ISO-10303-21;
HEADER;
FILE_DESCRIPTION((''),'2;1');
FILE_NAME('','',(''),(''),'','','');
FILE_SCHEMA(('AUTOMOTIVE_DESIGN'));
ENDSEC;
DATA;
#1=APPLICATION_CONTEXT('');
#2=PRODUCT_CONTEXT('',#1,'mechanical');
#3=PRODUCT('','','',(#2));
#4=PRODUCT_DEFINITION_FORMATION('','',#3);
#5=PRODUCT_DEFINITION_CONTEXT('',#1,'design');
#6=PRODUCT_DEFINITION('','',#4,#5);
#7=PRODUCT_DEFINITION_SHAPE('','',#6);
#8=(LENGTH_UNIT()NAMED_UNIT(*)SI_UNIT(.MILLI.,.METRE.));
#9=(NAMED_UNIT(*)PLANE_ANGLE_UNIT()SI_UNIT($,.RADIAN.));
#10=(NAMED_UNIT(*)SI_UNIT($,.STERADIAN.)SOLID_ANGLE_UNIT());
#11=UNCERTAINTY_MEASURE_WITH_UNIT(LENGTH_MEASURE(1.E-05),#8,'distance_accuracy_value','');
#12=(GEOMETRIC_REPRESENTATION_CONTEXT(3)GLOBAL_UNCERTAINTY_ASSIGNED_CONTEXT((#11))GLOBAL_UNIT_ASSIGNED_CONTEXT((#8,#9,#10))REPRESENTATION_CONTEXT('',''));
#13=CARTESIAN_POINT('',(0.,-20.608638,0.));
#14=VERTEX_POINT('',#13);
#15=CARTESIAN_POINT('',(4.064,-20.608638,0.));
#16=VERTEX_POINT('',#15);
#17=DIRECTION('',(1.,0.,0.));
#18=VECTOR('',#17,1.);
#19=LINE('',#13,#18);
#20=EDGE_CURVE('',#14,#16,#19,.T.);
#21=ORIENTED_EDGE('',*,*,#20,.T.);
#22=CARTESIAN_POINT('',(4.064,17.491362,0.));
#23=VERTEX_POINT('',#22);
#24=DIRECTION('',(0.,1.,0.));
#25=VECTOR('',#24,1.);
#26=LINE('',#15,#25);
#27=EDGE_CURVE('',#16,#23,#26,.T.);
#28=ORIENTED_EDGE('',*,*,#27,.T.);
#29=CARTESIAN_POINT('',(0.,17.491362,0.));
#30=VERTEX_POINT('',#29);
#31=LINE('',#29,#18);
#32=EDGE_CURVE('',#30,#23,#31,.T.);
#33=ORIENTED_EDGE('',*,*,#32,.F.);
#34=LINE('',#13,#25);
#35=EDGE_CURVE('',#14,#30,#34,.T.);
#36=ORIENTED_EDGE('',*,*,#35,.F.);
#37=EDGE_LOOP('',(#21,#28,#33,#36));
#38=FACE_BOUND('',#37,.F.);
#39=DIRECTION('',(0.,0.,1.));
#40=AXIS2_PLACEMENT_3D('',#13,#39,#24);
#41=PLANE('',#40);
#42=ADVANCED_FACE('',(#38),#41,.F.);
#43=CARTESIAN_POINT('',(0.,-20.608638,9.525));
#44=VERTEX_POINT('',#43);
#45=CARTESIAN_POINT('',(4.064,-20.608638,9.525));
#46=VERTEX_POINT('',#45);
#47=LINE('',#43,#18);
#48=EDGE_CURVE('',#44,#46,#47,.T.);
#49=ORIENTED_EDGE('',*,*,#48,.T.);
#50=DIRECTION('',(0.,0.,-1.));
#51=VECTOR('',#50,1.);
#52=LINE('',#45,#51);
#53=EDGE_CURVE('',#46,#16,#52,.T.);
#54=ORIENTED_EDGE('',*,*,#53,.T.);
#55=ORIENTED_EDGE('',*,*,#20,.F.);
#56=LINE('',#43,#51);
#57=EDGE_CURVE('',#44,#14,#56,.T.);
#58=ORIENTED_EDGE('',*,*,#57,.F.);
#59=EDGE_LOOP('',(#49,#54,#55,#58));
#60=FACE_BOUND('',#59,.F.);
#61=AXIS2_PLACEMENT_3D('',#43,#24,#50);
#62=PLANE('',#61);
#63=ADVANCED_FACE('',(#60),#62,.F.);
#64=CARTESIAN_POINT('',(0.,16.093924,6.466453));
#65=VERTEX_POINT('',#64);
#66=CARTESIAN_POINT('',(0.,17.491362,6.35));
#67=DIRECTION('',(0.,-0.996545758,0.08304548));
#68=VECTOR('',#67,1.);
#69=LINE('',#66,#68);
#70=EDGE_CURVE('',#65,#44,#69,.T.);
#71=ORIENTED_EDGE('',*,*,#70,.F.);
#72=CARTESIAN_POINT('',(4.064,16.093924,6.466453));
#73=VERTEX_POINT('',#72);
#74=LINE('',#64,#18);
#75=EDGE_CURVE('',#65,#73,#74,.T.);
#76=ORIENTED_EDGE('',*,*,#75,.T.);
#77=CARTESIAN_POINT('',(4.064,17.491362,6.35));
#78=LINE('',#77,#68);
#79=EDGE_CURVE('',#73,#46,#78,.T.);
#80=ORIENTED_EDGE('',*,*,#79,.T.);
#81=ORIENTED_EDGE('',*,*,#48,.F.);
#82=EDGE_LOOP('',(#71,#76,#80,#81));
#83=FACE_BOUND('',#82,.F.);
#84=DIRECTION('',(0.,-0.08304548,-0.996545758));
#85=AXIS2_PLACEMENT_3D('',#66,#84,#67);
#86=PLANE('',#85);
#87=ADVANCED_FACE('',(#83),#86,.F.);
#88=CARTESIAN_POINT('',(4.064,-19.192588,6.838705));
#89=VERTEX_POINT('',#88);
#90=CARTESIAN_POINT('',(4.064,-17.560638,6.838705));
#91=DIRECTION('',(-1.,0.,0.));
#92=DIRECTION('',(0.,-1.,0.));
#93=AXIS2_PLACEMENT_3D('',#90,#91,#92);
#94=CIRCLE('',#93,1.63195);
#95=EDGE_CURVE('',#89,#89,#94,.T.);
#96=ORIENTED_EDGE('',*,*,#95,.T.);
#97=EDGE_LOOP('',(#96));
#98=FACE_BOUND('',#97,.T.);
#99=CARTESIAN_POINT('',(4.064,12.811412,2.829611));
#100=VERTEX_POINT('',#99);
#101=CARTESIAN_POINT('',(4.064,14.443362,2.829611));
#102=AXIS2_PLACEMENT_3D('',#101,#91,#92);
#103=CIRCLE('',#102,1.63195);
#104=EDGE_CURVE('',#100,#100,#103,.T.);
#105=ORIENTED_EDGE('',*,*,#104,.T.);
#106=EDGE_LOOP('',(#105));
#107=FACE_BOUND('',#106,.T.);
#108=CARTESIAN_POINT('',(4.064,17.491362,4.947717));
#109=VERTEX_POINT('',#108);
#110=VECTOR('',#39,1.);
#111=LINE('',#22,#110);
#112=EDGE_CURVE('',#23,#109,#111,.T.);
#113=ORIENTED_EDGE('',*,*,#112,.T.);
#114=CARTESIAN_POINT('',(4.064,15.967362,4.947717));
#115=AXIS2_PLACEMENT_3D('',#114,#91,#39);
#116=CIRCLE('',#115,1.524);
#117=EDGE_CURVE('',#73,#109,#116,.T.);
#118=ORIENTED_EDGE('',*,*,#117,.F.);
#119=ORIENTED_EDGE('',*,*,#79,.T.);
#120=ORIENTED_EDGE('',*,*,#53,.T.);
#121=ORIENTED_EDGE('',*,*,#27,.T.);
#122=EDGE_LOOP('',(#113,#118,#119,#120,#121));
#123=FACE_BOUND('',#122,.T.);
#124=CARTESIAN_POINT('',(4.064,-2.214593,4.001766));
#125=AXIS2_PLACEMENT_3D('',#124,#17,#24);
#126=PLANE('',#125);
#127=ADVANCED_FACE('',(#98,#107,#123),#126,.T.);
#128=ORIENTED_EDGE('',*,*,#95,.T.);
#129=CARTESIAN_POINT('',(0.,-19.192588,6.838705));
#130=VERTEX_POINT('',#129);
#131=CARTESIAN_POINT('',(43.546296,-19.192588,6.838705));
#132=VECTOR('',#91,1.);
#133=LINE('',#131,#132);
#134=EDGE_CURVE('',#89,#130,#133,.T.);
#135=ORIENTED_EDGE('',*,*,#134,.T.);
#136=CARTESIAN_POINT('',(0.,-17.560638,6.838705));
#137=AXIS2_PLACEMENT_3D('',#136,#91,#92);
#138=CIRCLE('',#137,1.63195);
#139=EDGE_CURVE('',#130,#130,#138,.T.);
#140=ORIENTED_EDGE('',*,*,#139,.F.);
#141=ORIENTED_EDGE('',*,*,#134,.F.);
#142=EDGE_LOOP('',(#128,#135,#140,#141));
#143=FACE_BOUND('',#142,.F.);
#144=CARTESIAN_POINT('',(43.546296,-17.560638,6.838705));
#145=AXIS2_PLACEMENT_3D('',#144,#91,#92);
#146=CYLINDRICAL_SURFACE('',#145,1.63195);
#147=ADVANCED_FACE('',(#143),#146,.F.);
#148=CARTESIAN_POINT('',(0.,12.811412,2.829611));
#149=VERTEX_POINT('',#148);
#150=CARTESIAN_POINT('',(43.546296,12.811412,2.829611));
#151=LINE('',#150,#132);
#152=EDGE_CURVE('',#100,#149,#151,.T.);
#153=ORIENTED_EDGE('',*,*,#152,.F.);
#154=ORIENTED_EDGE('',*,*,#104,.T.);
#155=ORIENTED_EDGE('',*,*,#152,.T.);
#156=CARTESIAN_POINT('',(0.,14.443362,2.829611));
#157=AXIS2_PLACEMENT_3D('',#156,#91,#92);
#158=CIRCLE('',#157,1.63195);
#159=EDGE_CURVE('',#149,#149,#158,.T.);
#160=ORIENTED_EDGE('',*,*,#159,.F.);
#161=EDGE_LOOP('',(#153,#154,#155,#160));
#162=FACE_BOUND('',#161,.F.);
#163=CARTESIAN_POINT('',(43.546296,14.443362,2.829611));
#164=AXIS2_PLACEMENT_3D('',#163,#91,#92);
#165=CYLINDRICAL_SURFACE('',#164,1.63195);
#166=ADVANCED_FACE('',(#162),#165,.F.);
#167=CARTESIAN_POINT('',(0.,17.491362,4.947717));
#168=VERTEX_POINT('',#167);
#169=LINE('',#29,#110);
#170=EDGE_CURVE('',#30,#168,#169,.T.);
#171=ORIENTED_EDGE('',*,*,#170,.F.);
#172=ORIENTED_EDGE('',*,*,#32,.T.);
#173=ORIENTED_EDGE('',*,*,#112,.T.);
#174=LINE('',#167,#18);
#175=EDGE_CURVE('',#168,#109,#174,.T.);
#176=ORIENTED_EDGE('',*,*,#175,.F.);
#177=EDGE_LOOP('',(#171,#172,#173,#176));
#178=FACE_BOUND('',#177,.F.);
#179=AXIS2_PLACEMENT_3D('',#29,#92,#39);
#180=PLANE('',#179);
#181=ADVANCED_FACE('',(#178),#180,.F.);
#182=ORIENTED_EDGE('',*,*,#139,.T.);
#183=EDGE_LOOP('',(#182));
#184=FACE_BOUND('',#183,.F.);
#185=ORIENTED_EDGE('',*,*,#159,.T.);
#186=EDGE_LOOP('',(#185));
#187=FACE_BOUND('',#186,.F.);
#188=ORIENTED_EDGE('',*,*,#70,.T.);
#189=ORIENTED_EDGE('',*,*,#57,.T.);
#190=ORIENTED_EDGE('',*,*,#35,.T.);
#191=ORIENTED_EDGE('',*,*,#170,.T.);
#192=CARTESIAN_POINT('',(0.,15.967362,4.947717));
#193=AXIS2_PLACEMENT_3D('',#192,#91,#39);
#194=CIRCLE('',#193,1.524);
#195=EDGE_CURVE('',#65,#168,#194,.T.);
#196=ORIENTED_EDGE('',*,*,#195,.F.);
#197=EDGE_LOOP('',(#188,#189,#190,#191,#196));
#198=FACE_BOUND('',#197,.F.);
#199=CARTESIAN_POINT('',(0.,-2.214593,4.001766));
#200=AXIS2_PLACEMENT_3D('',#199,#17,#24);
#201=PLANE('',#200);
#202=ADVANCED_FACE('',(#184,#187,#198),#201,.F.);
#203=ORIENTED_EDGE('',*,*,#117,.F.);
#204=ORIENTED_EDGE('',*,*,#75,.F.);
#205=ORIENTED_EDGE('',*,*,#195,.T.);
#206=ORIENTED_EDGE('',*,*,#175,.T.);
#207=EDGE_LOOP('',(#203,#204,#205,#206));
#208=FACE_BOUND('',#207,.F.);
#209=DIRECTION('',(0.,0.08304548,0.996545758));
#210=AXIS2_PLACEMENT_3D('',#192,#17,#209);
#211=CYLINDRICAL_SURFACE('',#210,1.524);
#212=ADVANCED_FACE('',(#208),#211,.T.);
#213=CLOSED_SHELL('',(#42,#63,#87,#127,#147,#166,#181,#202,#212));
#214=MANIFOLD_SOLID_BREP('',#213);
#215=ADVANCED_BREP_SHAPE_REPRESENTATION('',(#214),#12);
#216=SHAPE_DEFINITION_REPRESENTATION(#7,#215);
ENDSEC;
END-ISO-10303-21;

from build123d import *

# Parameters (mm, degrees)
F1_DEPTH = 4.064
F3_D     = 3.2639
F4_R     = 1.524


with BuildPart() as f1:
    # F0 (on Right) → F1 (new body)
    with BuildSketch(Plane.YZ):
        Polygon((-20.6086377689, 9.525), (-20.6086377689, 0), (17.4913622311, 0), (17.4913622311, 6.35), align=None)
    extrude(amount=F1_DEPTH)

    # F3 (through all)
    with Locations(Plane.YZ.offset(4.064)):
        with Locations((-17.5606377689, 6.8387051621), (14.4433622311, 2.8296108316)):
            Hole(F3_D / 2)

    # F4
    f4_edges = [f1.edges().sort_by_distance(p)[0] for p in [
        (2.032, 17.491362, 6.35),
    ]]
    fillet(f4_edges, radius=F4_R)


solid = f1.part
